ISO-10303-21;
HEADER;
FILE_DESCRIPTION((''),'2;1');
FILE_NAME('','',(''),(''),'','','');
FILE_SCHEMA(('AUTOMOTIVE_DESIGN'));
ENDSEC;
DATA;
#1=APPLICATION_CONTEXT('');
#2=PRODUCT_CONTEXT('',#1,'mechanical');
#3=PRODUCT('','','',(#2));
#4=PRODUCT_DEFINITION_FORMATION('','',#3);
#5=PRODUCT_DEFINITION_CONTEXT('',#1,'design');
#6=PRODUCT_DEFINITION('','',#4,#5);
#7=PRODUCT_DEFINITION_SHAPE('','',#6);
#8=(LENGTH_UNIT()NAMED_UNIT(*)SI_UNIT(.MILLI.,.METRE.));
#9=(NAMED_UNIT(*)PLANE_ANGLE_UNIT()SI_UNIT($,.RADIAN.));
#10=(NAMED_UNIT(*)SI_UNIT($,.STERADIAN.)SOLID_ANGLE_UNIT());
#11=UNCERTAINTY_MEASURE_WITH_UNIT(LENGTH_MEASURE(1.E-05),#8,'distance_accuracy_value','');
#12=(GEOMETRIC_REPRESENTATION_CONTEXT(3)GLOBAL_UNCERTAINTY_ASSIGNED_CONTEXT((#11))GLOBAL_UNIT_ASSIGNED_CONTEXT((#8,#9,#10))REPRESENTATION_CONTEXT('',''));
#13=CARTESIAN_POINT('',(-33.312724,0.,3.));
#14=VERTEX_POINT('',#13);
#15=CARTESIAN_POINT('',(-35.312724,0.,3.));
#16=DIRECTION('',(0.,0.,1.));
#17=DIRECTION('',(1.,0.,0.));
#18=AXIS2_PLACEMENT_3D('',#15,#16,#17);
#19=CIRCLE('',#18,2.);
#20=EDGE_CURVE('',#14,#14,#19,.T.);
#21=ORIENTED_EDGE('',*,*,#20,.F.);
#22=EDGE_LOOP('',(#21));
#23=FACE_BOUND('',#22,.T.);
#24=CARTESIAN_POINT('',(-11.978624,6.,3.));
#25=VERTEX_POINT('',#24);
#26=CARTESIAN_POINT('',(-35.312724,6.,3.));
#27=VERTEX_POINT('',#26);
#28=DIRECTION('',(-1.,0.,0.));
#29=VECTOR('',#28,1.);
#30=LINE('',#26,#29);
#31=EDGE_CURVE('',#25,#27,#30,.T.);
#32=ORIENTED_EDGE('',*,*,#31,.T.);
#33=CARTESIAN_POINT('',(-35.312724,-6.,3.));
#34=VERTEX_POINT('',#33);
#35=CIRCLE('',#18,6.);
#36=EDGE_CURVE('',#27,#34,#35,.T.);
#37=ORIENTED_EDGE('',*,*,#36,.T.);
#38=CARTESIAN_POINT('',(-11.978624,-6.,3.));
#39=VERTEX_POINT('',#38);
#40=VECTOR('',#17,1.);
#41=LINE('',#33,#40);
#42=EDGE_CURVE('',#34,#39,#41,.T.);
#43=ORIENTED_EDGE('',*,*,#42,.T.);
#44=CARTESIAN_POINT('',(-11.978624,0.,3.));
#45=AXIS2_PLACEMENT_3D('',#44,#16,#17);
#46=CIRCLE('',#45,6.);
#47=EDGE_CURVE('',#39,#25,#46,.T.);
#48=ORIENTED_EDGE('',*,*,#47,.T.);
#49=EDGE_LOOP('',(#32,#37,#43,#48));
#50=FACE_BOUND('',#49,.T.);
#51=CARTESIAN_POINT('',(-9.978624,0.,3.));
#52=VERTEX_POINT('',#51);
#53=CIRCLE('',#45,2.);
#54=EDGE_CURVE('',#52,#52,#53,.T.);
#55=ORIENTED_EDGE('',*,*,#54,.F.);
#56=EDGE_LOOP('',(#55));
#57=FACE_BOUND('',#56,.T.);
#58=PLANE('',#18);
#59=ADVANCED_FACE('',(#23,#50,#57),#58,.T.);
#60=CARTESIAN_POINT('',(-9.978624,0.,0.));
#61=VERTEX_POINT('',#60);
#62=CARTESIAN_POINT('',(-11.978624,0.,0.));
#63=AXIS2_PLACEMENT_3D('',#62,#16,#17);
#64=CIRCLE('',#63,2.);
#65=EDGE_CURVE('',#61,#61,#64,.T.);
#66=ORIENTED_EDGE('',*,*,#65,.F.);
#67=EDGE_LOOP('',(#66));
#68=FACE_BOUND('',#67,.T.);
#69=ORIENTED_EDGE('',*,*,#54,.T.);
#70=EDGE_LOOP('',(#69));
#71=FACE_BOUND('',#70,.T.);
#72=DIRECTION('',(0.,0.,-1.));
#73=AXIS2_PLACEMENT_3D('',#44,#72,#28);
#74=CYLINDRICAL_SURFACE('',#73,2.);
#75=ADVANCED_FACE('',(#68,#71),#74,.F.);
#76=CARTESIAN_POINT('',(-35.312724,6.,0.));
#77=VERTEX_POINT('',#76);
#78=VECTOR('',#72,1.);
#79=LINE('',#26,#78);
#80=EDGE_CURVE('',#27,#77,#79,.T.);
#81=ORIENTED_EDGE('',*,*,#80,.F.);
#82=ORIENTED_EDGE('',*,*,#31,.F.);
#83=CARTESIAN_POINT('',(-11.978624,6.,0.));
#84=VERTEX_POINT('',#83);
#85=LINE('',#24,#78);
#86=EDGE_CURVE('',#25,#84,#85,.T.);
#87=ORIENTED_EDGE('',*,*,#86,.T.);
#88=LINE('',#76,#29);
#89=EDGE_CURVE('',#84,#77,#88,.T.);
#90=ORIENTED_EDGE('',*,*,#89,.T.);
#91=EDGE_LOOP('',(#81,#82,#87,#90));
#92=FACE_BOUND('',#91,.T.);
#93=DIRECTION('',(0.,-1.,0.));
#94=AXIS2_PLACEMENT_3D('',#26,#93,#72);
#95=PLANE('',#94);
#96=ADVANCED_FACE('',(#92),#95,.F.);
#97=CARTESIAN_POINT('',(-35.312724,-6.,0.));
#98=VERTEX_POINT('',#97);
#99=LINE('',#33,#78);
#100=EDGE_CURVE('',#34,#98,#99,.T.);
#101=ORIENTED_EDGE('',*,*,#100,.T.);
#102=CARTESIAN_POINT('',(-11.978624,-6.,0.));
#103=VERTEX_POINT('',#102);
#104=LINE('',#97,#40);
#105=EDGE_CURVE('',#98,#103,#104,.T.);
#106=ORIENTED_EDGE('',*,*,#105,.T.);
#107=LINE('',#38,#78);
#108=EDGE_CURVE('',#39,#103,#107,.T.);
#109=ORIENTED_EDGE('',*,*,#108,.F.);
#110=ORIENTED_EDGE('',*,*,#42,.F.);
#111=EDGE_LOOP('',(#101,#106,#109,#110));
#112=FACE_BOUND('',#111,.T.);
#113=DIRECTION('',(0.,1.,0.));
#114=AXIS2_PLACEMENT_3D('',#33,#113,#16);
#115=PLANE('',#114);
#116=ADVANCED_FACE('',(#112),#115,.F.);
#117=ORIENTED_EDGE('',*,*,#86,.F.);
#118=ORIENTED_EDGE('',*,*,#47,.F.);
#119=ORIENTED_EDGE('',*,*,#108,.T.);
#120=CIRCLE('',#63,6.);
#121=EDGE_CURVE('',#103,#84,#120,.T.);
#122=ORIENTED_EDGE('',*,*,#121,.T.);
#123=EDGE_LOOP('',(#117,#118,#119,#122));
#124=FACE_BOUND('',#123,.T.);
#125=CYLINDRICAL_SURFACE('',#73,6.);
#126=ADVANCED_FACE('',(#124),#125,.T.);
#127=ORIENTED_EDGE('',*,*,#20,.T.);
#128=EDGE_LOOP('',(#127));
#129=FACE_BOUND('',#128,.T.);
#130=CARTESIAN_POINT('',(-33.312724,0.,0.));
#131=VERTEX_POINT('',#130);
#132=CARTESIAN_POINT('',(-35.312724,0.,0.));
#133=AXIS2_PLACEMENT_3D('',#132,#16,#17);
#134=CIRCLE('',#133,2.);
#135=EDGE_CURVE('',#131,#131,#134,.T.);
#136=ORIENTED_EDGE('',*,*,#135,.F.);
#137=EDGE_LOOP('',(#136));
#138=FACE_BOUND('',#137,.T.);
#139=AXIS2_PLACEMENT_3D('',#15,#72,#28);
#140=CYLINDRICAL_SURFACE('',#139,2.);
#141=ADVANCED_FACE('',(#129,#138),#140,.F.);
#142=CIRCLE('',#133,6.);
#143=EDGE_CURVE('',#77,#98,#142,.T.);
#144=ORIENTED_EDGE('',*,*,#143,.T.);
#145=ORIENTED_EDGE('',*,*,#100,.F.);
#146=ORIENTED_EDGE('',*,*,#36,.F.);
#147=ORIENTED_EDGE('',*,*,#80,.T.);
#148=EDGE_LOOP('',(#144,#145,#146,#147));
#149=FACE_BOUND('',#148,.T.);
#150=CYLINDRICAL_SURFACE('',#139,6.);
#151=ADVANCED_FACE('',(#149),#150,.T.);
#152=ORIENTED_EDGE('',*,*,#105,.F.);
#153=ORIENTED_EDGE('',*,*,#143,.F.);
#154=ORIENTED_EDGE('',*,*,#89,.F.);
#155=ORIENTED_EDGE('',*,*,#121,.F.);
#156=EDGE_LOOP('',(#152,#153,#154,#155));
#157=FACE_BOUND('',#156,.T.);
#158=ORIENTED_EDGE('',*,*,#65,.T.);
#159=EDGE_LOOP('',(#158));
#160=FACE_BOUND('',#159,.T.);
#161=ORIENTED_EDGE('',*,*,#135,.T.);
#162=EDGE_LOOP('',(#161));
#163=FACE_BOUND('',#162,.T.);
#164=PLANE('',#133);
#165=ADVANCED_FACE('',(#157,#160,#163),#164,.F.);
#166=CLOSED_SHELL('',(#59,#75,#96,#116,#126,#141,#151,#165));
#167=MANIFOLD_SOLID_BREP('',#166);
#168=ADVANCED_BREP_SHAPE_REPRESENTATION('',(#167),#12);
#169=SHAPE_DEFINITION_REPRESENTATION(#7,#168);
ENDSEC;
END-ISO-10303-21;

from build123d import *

# Parameters (mm, degrees)
SKETCH1_R           = 2
BOSS_EXTRUDE3_DEPTH = 3


with BuildPart() as part:
    # Sketch1 → Boss-Extrude3 (new body)
    with BuildSketch(Plane.XY):
        with BuildLine():
            Line((-35.312724167, 6), (-11.978624167, 6))
            ThreePointArc((-11.978624167, 6), (-5.978624167, 0), (-11.978624167, -6))
            Line((-11.978624167, -6), (-35.312724167, -6))
            ThreePointArc((-35.312724167, -6), (-41.312724167, 0), (-35.312724167, 6))
        make_face()
        with Locations((-35.312724167, 0)):
            Circle(SKETCH1_R, mode=Mode.SUBTRACT)
        with Locations((-11.978624167, 0)):
            Circle(SKETCH1_R, mode=Mode.SUBTRACT)
    extrude(amount=BOSS_EXTRUDE3_DEPTH)


solid = part.part
